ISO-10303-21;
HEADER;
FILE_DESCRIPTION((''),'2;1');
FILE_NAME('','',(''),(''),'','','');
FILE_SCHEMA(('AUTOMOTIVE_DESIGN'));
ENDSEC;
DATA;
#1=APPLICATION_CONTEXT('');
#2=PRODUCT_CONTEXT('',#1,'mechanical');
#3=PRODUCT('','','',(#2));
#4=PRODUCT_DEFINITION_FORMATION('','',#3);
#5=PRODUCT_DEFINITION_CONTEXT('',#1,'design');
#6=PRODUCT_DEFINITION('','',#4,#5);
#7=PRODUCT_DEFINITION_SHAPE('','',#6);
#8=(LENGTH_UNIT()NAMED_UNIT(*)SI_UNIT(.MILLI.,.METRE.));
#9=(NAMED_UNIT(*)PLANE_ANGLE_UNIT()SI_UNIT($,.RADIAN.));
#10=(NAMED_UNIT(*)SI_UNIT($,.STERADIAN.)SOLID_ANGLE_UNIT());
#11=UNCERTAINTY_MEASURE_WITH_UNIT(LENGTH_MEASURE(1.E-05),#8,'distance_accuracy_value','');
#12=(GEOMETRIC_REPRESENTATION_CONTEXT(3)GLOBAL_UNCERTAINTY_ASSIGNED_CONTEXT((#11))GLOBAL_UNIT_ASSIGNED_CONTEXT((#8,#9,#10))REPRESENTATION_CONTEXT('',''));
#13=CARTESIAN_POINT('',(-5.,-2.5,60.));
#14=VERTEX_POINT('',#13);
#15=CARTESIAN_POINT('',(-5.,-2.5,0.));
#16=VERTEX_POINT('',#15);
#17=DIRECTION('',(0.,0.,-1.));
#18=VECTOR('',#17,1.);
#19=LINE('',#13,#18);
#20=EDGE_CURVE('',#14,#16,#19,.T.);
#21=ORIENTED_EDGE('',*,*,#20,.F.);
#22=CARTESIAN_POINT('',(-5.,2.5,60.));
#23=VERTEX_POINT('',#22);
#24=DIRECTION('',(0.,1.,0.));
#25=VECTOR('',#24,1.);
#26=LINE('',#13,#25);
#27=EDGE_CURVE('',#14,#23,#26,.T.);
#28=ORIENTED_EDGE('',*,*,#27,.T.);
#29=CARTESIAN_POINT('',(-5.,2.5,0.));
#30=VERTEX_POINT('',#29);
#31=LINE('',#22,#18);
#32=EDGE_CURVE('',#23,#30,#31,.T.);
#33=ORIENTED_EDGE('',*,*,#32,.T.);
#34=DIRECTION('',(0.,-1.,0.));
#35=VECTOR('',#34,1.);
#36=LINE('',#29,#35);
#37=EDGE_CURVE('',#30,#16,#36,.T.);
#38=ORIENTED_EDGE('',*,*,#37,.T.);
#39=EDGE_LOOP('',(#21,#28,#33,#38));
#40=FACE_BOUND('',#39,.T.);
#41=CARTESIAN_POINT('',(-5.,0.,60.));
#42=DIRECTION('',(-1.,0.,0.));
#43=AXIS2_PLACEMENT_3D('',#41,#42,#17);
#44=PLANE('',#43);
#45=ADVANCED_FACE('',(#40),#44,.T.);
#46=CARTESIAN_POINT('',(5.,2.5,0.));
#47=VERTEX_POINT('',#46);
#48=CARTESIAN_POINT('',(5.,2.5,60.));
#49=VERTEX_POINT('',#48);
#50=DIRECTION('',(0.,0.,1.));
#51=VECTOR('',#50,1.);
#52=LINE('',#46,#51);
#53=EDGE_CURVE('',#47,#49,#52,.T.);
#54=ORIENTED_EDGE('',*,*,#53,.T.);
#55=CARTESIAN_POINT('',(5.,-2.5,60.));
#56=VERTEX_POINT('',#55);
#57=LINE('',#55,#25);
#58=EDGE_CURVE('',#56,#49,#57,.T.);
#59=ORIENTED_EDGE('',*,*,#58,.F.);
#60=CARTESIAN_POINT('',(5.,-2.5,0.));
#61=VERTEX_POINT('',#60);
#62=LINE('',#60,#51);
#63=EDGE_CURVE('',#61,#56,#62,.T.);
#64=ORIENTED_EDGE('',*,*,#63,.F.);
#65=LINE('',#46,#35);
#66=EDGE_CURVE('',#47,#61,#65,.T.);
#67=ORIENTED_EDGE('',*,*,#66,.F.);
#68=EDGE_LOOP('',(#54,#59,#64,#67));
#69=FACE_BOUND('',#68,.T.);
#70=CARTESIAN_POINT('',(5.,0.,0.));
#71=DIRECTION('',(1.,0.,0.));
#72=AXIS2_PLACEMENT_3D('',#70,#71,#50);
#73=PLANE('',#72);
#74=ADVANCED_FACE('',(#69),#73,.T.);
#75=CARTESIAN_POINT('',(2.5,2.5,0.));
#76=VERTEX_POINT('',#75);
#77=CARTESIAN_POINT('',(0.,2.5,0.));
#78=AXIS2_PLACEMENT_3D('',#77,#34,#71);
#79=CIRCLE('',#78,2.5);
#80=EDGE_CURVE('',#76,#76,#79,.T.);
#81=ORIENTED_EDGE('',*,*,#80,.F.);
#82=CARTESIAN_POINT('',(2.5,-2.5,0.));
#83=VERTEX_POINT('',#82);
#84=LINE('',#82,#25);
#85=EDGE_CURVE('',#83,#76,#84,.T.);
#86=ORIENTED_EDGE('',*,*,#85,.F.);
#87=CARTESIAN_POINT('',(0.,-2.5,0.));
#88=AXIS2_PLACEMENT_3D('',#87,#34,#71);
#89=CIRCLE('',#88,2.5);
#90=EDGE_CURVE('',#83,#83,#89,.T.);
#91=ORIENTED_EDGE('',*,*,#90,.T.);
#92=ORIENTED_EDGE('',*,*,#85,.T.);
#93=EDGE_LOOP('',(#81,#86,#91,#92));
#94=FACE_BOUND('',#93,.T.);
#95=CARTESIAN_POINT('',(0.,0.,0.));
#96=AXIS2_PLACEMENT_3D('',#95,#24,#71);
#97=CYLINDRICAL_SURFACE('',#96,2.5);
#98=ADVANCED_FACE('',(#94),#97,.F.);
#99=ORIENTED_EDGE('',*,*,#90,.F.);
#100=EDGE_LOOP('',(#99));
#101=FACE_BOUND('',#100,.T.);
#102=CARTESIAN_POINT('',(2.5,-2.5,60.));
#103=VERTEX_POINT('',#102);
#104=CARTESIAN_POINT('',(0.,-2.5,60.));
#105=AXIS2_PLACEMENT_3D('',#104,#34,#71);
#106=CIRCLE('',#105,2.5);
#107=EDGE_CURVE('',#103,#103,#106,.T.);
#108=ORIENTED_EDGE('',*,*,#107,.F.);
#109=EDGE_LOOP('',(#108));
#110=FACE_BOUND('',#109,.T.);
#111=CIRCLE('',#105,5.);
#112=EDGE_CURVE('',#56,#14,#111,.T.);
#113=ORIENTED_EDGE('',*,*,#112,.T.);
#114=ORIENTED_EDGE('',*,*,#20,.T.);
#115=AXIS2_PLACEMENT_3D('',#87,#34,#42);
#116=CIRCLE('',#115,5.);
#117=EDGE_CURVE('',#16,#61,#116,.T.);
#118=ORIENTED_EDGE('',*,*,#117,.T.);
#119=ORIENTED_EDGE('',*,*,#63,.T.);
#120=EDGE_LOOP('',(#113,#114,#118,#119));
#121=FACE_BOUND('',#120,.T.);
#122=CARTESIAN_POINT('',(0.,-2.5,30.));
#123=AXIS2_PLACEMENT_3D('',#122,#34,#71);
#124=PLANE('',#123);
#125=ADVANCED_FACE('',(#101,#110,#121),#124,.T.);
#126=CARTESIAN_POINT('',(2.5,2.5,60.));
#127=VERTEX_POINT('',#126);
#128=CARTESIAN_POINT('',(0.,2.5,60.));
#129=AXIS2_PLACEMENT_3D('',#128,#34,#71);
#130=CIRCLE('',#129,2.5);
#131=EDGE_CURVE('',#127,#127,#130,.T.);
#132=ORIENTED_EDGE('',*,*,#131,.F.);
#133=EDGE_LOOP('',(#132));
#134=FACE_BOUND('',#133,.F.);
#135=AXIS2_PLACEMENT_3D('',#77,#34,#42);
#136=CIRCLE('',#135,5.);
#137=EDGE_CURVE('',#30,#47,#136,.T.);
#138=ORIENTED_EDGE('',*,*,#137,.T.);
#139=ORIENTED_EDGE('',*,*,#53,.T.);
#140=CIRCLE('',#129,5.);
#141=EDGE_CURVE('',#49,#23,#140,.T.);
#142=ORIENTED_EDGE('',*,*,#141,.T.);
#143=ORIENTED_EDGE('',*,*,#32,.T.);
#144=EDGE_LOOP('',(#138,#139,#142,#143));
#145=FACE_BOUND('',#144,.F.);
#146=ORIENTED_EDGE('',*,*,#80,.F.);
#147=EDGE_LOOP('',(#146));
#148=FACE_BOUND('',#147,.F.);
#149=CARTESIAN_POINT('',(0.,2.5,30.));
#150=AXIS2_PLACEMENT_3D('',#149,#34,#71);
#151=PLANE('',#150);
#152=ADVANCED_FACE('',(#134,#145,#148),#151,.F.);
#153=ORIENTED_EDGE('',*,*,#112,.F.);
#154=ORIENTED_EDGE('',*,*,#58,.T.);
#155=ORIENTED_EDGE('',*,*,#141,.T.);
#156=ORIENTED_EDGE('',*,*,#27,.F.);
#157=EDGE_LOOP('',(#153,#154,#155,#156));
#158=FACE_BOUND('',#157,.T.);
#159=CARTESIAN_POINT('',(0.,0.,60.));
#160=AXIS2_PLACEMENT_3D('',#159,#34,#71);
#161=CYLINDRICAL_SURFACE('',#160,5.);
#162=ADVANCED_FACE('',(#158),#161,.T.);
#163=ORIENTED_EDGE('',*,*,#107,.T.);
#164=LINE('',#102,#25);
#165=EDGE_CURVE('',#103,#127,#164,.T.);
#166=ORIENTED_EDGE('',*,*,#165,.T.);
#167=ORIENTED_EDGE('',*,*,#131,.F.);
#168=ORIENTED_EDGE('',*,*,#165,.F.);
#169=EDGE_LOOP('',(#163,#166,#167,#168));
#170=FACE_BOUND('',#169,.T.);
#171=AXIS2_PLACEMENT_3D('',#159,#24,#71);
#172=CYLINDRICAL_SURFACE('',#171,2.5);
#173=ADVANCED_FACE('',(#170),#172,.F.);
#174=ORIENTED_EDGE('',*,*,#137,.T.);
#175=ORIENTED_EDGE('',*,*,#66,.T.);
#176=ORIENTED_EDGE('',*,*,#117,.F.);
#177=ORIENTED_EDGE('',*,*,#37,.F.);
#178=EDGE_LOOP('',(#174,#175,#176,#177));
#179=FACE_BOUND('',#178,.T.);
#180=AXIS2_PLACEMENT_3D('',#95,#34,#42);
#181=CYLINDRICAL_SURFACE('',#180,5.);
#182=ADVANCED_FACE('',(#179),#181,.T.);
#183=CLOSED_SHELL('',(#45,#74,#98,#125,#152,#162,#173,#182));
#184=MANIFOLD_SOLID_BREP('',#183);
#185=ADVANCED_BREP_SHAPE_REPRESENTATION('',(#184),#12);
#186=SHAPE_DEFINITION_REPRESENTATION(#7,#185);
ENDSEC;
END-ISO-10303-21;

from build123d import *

# Parameters (mm, degrees)
F0_R     = 2.5
F1_DEPTH = 2.5


with BuildPart() as f1:
    # F0 (on Front) → F1 (new body, symmetric)
    with BuildSketch(Plane.XZ):
        with BuildLine():
            Line((-5, 60), (-5, 0))
            ThreePointArc((-5, 0), (0, -5), (5, 0))
            Line((5, 0), (5, 60))
            ThreePointArc((5, 60), (0, 65), (-5, 60))
        make_face()
        Circle(F0_R, mode=Mode.SUBTRACT)
        with Locations((0, 60)):
            Circle(F0_R, mode=Mode.SUBTRACT)
    extrude(amount=F1_DEPTH, both=True)


solid = f1.part
